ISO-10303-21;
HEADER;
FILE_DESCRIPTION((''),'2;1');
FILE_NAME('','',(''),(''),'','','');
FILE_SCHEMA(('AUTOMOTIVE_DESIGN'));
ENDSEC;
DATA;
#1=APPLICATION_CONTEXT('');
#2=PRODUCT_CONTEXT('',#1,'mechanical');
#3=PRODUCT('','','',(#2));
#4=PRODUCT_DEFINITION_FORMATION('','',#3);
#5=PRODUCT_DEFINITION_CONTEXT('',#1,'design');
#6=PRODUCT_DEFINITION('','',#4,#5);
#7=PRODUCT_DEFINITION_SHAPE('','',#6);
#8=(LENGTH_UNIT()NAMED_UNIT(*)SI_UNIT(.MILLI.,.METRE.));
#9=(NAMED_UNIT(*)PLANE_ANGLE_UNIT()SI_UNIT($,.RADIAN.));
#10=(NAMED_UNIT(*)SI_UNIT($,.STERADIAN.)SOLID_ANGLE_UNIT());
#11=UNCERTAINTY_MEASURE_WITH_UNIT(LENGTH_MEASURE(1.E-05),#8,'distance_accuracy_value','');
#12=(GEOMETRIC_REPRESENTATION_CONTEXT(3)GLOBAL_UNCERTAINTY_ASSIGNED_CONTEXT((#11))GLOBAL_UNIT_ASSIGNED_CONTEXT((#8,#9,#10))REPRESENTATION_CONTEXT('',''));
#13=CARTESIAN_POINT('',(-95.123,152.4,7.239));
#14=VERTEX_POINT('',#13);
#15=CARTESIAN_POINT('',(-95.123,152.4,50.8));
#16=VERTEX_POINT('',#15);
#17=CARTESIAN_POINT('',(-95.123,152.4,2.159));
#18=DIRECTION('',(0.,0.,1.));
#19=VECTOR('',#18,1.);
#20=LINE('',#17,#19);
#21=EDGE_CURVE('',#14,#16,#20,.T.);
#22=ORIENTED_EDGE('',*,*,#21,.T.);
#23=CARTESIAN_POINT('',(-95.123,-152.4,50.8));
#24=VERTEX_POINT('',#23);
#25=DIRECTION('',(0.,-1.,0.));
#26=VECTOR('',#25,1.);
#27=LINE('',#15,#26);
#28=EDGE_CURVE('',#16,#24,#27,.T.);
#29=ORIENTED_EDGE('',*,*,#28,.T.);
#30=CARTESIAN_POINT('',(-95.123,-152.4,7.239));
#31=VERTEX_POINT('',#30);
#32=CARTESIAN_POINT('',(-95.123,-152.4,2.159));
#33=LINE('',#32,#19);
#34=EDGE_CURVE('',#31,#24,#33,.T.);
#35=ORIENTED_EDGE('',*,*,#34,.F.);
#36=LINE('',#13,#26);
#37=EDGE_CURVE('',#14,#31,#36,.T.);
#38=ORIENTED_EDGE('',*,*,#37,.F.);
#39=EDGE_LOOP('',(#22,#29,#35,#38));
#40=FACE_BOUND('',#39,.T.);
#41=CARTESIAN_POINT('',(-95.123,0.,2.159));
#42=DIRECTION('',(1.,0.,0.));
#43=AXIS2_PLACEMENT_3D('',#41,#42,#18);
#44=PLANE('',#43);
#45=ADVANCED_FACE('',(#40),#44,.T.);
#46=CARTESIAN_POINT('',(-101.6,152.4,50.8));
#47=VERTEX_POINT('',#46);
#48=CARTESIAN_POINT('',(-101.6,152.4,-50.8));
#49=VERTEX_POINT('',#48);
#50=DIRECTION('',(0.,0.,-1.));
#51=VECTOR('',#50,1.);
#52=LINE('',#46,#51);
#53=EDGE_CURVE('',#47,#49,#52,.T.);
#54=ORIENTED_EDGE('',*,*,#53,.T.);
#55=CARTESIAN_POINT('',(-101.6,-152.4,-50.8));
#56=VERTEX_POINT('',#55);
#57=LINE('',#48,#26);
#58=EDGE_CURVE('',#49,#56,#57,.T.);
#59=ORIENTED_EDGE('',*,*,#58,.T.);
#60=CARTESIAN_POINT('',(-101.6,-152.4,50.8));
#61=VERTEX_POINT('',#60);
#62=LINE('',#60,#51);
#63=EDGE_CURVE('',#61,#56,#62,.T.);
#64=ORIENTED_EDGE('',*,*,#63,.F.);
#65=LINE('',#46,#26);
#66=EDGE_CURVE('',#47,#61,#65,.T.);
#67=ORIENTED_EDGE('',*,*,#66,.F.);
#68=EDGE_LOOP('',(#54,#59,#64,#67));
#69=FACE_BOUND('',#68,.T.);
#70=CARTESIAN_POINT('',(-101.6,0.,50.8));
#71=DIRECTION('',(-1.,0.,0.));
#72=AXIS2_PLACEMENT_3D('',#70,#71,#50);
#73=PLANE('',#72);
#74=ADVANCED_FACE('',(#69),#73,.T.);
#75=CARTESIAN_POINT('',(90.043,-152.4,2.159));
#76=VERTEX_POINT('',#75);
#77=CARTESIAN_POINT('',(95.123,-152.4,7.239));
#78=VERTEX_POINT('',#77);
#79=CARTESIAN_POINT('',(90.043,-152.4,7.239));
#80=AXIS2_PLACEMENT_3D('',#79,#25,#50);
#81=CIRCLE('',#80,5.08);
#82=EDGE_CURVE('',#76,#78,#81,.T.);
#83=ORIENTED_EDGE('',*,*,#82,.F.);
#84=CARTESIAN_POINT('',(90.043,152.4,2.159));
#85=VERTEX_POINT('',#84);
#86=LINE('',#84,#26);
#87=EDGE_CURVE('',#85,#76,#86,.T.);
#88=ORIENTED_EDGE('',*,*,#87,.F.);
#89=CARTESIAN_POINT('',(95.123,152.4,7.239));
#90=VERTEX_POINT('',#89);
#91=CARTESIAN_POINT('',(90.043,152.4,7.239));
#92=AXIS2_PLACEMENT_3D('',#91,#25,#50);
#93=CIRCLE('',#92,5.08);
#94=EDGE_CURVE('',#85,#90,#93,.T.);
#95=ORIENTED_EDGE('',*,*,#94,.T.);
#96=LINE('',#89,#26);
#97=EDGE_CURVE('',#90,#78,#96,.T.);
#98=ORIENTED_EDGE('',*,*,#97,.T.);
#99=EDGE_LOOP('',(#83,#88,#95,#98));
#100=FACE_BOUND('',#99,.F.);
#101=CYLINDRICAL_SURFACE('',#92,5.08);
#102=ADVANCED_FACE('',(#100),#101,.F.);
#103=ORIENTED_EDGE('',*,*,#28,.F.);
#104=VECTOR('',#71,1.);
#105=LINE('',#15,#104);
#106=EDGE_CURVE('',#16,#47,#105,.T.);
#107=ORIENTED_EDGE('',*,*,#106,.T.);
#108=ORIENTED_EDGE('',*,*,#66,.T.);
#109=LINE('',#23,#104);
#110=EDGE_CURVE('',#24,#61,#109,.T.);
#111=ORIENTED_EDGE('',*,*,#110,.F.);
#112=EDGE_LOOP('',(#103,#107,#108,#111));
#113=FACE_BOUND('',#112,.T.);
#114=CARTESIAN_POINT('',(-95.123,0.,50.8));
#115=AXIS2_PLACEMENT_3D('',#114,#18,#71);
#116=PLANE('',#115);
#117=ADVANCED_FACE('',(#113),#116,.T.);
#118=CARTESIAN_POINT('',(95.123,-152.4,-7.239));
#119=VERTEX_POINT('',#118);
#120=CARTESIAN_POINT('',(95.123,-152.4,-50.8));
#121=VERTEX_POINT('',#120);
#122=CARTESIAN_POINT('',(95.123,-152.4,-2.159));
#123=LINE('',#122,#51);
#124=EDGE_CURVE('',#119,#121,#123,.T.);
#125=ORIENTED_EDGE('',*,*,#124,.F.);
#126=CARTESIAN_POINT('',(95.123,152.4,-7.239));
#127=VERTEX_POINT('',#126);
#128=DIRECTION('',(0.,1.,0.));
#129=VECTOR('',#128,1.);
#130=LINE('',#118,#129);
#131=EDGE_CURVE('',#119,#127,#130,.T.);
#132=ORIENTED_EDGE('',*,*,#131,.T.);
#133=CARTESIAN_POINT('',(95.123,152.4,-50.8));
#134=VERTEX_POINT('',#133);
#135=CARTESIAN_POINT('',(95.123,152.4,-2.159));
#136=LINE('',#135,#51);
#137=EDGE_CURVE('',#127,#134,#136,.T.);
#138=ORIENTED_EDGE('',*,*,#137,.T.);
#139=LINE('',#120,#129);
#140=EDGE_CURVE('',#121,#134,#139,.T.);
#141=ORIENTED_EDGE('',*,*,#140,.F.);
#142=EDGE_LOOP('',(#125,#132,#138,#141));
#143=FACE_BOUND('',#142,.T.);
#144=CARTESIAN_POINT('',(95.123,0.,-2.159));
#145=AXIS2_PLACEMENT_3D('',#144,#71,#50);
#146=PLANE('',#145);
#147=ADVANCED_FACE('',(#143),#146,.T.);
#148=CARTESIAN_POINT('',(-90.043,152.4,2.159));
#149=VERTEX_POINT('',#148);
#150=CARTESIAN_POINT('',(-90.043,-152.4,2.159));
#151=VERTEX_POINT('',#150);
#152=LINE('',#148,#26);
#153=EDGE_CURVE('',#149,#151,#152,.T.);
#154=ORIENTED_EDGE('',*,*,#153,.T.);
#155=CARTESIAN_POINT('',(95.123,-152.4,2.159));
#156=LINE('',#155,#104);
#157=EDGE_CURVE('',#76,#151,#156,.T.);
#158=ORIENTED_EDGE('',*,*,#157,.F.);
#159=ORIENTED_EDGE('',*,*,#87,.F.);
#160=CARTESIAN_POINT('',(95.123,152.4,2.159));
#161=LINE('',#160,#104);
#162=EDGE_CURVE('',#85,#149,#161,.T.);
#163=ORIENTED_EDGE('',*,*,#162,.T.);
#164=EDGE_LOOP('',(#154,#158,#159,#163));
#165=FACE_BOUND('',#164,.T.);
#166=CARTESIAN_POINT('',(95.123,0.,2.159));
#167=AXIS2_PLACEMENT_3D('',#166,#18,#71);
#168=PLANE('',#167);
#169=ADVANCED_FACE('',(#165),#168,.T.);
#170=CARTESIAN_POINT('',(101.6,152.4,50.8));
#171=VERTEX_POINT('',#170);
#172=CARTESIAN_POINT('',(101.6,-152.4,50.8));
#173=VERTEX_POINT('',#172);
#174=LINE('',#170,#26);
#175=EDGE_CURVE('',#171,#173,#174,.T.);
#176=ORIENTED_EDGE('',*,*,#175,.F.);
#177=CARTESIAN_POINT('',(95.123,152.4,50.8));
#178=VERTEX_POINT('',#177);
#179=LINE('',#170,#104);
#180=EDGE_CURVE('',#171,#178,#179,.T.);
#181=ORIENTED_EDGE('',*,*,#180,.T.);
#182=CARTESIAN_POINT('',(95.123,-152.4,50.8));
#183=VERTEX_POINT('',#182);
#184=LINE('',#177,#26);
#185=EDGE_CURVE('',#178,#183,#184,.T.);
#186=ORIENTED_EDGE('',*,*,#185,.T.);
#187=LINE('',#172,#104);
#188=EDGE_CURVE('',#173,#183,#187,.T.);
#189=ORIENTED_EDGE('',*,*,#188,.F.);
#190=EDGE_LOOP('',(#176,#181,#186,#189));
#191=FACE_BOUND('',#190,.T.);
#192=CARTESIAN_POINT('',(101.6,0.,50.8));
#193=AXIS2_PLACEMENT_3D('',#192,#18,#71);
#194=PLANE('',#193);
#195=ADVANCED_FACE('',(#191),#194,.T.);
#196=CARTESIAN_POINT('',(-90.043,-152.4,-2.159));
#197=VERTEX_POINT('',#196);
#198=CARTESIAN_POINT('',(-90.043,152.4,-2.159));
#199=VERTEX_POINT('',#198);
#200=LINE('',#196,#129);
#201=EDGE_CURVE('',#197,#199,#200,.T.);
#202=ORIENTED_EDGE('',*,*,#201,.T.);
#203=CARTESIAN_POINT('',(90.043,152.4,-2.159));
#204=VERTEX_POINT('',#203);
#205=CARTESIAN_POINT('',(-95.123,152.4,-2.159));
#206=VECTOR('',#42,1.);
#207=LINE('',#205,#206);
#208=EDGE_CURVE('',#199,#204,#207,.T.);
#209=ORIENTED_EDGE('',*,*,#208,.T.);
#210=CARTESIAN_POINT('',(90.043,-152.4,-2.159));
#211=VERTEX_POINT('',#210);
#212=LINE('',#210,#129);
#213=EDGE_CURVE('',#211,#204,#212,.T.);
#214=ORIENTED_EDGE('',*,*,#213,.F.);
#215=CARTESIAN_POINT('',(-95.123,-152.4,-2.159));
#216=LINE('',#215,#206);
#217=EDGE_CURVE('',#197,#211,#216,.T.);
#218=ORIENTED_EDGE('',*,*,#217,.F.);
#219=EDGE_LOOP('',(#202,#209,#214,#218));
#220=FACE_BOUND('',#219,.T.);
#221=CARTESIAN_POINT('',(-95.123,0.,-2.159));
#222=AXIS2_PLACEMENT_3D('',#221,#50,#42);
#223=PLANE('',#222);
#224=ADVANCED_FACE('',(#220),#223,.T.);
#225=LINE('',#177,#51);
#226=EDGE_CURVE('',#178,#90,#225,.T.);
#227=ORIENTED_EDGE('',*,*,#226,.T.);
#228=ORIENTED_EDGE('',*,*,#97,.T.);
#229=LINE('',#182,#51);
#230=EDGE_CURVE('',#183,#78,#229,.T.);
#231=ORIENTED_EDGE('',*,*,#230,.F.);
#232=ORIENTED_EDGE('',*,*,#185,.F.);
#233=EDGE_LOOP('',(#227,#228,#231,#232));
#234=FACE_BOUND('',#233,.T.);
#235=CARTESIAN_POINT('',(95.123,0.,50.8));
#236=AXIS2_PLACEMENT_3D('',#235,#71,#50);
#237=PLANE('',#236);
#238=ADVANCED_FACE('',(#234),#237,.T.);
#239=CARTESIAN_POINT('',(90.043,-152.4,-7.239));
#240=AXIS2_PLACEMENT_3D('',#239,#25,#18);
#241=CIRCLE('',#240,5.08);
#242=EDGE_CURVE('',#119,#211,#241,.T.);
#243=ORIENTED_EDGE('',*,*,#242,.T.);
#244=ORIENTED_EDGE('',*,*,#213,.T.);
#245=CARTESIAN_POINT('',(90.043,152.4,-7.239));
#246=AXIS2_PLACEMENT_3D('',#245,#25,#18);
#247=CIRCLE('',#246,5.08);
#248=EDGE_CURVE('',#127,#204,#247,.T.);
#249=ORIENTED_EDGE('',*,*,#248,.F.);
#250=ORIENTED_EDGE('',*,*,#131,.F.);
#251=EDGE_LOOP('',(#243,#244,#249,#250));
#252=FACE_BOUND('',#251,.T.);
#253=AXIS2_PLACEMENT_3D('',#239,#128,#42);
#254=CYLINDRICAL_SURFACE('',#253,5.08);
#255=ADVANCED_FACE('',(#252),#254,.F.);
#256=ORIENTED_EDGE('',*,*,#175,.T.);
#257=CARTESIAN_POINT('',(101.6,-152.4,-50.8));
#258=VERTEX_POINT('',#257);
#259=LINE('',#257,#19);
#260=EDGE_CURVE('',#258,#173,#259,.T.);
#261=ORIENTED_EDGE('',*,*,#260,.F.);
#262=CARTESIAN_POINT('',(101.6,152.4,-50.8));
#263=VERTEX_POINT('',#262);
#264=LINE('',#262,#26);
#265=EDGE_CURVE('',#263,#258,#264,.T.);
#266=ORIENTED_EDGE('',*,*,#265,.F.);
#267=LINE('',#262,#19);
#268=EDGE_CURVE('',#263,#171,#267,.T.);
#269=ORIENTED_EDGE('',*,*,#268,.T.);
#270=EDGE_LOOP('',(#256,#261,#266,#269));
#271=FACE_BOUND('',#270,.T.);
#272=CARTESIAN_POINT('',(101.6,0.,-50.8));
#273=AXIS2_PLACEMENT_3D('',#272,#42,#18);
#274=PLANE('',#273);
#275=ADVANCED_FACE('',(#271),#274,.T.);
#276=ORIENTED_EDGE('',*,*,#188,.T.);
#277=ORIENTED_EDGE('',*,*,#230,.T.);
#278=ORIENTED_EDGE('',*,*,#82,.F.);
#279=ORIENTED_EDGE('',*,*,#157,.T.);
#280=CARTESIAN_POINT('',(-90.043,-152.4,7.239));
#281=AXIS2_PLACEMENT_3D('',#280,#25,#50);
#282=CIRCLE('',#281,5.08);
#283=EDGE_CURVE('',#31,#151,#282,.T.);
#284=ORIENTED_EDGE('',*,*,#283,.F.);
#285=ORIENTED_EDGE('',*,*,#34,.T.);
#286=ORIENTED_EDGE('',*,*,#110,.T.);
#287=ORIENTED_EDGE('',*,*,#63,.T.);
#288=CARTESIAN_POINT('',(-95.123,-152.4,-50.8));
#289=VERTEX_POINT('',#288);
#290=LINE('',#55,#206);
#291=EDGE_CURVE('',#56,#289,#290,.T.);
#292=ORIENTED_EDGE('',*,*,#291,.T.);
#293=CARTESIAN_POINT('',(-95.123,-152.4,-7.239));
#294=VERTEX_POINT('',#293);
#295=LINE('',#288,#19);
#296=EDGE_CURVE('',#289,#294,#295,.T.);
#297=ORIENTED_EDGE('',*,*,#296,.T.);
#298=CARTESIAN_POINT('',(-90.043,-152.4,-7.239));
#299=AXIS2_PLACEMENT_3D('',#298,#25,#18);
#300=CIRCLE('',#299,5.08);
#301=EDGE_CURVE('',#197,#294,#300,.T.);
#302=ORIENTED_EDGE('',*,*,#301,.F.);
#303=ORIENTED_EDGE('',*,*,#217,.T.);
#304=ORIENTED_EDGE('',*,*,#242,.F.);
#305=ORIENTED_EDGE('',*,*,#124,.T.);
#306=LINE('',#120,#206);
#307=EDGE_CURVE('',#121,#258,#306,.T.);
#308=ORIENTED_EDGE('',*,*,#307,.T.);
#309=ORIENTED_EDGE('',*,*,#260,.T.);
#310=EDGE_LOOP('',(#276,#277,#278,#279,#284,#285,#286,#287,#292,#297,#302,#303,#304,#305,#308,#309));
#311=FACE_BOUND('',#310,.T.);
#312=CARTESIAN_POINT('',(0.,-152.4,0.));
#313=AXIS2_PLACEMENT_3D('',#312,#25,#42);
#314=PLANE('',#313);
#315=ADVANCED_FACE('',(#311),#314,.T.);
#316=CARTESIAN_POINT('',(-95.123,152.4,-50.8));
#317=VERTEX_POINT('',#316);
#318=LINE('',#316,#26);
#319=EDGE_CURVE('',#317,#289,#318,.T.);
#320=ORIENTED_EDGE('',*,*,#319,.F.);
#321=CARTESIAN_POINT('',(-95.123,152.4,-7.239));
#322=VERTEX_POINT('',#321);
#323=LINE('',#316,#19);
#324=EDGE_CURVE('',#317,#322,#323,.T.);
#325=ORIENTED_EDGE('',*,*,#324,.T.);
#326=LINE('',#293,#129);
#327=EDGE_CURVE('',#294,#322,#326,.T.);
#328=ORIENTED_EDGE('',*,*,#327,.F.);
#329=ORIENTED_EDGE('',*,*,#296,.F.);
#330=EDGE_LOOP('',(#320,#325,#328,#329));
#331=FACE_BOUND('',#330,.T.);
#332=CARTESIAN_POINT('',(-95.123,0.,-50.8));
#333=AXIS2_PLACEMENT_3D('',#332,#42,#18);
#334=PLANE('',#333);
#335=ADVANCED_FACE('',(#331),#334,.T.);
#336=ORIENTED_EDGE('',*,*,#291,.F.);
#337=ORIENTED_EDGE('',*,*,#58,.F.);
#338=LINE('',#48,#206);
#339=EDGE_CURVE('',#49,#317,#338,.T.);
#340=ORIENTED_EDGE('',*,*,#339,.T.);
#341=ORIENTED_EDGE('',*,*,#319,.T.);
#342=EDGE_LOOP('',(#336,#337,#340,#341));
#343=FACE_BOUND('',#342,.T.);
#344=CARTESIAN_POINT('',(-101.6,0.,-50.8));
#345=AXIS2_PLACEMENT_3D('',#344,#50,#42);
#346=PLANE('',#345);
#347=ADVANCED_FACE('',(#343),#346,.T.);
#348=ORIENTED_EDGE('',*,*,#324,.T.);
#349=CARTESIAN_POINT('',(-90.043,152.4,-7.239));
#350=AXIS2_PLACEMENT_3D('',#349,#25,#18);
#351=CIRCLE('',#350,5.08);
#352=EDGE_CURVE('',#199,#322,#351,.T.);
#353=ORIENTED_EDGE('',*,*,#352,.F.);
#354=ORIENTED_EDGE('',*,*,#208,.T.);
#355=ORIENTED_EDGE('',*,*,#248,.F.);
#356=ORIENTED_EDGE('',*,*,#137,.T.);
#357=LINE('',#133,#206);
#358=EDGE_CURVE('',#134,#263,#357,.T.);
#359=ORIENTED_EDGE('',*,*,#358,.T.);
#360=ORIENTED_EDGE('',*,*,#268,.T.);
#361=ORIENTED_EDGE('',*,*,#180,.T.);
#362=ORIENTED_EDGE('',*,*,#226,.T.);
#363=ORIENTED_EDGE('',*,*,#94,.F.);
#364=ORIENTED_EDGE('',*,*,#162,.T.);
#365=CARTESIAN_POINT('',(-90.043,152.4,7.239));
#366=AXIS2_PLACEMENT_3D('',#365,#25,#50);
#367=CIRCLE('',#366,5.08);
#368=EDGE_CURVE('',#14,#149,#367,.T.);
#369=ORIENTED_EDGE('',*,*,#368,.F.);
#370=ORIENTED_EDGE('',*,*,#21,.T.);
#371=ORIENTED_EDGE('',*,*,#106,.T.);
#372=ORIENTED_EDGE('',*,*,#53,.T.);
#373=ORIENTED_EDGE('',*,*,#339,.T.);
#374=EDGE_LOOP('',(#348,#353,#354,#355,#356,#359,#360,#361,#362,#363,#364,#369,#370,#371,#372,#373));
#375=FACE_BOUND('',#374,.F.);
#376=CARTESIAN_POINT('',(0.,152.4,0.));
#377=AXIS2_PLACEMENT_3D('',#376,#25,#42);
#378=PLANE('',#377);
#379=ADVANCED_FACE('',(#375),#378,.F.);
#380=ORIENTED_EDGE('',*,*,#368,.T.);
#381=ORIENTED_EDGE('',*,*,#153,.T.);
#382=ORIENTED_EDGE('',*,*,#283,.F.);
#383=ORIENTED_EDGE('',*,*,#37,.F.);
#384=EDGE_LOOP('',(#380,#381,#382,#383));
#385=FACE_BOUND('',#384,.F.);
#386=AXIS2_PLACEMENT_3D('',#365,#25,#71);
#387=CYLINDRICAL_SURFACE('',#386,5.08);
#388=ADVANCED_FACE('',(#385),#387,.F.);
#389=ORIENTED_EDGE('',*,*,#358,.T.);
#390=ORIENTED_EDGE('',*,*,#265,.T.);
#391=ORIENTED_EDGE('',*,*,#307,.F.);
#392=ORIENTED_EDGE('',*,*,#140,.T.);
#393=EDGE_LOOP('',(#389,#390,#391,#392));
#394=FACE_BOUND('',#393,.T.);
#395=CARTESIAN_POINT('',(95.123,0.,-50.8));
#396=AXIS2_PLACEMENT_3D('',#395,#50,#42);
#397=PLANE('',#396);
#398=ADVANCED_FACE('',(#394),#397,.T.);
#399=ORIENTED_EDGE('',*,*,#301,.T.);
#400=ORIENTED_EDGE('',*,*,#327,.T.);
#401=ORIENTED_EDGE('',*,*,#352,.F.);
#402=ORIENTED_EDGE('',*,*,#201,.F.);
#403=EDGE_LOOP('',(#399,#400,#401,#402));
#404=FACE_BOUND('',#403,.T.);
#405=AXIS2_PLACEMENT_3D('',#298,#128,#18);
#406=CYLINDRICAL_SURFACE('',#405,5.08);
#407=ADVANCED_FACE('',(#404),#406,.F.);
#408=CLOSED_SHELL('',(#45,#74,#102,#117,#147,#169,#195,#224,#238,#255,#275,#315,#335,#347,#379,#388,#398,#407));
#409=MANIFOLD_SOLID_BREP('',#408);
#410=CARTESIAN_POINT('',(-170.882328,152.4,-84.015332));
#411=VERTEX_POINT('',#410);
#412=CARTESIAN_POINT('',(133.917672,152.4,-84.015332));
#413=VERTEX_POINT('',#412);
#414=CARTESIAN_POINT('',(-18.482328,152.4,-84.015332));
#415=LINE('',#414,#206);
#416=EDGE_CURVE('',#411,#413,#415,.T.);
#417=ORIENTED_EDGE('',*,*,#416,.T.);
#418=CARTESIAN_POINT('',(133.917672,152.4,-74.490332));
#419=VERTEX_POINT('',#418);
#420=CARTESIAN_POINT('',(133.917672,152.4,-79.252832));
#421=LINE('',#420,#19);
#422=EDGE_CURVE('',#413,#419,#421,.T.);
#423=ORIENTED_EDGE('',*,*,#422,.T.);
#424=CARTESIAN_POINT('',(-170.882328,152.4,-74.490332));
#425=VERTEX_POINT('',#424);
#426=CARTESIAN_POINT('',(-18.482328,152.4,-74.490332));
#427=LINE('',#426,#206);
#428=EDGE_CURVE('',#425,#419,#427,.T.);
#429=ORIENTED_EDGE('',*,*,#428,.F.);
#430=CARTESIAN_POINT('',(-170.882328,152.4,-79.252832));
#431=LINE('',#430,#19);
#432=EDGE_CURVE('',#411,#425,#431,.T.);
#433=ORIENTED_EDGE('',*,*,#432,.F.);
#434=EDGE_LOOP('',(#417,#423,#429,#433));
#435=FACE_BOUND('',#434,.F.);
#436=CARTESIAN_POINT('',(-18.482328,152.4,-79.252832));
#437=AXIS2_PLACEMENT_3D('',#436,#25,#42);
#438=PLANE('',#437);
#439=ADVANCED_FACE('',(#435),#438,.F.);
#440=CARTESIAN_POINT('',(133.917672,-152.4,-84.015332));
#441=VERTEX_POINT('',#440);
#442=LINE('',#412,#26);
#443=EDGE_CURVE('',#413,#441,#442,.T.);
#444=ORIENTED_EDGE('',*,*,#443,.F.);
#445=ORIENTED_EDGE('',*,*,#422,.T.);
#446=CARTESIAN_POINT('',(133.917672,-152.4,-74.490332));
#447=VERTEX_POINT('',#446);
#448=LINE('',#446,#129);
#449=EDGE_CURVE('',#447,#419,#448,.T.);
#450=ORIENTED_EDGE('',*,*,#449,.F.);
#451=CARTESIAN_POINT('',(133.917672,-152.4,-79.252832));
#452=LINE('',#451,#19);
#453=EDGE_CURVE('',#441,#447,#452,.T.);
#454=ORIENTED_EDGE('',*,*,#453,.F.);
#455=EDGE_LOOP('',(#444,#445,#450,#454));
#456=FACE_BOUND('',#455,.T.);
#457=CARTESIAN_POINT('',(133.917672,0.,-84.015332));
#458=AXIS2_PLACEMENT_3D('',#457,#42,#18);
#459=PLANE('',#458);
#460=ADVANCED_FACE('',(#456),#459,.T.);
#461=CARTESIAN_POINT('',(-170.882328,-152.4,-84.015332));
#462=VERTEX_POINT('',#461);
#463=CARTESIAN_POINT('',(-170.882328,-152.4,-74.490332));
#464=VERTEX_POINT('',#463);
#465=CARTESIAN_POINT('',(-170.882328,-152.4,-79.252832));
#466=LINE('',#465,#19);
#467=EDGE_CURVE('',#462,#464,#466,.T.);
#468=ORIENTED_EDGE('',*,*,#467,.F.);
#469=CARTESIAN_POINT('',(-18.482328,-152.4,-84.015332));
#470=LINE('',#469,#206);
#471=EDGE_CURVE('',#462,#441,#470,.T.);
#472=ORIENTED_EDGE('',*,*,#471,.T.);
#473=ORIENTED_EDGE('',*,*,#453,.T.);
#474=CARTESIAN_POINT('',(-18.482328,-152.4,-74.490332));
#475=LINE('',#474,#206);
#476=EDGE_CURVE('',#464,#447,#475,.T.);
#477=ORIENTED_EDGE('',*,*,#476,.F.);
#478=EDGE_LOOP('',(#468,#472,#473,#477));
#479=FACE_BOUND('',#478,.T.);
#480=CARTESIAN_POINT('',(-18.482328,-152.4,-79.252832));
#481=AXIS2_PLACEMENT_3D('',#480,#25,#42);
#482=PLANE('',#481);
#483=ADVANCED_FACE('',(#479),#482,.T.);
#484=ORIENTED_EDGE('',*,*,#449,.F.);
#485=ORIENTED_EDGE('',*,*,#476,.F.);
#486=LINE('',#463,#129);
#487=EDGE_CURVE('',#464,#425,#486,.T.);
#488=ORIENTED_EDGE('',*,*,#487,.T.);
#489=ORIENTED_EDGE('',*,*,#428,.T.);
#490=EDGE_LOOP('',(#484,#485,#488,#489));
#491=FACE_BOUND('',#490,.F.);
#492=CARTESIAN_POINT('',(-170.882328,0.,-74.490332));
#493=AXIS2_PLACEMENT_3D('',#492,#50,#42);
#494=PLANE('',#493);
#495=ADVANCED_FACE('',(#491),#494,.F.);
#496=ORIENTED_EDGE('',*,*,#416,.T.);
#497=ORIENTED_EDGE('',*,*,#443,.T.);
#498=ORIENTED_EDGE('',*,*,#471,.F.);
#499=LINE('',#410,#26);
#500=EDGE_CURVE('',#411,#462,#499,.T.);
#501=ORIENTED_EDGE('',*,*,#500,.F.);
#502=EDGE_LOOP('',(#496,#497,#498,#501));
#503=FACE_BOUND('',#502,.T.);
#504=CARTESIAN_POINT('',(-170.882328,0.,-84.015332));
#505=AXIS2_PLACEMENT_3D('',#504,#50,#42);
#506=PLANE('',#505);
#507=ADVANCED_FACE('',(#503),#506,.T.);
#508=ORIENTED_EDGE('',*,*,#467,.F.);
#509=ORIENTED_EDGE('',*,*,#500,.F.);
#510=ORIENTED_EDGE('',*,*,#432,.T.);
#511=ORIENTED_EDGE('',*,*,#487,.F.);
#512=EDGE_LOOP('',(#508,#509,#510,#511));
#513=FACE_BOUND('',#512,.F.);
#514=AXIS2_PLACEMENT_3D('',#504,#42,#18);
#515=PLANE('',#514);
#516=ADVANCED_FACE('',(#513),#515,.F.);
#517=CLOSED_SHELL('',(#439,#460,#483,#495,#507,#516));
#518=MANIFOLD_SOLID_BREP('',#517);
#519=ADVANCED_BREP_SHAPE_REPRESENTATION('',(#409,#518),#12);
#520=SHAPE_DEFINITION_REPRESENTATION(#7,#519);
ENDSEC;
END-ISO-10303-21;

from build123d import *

# Parameters (mm, degrees)
F1_DEPTH = 152.4
F2_R     = 5.08
F3_W     = 304.8
F3_H     = 9.525
F4_DEPTH = 152.4


with BuildPart() as f1:
    # F0 (on Front) → F1 (new body, symmetric)
    with BuildSketch(Plane.XZ):
        Polygon((95.123, -50.8), (101.6, -50.8), (101.6, 50.8), (95.123, 50.8), (95.123, 2.159), (-95.123, 2.159), (-95.123, 50.8), (-101.6, 50.8), (-101.6, -50.8), (-95.123, -50.8), (-95.123, -2.159), (95.123, -2.159), align=None)
    extrude(amount=F1_DEPTH, both=True)

    # F2
    f2_edges = [f1.edges().sort_by_distance(p)[0] for p in [
        (-95.123, 0, 2.159),
        (-95.123, 0, -2.159),
        (95.123, 0, -2.159),
        (95.123, 0, 2.159),
    ]]
    fillet(f2_edges, radius=F2_R)


with BuildPart() as f4:
    # F3 (on Front) → F4 (new body, symmetric)
    with BuildSketch(Plane.XZ):
        with Locations((-18.482328, -79.252832)):
            Rectangle(F3_W, F3_H)
    extrude(amount=F4_DEPTH, both=True)


solid = Compound([f1.part, f4.part])
